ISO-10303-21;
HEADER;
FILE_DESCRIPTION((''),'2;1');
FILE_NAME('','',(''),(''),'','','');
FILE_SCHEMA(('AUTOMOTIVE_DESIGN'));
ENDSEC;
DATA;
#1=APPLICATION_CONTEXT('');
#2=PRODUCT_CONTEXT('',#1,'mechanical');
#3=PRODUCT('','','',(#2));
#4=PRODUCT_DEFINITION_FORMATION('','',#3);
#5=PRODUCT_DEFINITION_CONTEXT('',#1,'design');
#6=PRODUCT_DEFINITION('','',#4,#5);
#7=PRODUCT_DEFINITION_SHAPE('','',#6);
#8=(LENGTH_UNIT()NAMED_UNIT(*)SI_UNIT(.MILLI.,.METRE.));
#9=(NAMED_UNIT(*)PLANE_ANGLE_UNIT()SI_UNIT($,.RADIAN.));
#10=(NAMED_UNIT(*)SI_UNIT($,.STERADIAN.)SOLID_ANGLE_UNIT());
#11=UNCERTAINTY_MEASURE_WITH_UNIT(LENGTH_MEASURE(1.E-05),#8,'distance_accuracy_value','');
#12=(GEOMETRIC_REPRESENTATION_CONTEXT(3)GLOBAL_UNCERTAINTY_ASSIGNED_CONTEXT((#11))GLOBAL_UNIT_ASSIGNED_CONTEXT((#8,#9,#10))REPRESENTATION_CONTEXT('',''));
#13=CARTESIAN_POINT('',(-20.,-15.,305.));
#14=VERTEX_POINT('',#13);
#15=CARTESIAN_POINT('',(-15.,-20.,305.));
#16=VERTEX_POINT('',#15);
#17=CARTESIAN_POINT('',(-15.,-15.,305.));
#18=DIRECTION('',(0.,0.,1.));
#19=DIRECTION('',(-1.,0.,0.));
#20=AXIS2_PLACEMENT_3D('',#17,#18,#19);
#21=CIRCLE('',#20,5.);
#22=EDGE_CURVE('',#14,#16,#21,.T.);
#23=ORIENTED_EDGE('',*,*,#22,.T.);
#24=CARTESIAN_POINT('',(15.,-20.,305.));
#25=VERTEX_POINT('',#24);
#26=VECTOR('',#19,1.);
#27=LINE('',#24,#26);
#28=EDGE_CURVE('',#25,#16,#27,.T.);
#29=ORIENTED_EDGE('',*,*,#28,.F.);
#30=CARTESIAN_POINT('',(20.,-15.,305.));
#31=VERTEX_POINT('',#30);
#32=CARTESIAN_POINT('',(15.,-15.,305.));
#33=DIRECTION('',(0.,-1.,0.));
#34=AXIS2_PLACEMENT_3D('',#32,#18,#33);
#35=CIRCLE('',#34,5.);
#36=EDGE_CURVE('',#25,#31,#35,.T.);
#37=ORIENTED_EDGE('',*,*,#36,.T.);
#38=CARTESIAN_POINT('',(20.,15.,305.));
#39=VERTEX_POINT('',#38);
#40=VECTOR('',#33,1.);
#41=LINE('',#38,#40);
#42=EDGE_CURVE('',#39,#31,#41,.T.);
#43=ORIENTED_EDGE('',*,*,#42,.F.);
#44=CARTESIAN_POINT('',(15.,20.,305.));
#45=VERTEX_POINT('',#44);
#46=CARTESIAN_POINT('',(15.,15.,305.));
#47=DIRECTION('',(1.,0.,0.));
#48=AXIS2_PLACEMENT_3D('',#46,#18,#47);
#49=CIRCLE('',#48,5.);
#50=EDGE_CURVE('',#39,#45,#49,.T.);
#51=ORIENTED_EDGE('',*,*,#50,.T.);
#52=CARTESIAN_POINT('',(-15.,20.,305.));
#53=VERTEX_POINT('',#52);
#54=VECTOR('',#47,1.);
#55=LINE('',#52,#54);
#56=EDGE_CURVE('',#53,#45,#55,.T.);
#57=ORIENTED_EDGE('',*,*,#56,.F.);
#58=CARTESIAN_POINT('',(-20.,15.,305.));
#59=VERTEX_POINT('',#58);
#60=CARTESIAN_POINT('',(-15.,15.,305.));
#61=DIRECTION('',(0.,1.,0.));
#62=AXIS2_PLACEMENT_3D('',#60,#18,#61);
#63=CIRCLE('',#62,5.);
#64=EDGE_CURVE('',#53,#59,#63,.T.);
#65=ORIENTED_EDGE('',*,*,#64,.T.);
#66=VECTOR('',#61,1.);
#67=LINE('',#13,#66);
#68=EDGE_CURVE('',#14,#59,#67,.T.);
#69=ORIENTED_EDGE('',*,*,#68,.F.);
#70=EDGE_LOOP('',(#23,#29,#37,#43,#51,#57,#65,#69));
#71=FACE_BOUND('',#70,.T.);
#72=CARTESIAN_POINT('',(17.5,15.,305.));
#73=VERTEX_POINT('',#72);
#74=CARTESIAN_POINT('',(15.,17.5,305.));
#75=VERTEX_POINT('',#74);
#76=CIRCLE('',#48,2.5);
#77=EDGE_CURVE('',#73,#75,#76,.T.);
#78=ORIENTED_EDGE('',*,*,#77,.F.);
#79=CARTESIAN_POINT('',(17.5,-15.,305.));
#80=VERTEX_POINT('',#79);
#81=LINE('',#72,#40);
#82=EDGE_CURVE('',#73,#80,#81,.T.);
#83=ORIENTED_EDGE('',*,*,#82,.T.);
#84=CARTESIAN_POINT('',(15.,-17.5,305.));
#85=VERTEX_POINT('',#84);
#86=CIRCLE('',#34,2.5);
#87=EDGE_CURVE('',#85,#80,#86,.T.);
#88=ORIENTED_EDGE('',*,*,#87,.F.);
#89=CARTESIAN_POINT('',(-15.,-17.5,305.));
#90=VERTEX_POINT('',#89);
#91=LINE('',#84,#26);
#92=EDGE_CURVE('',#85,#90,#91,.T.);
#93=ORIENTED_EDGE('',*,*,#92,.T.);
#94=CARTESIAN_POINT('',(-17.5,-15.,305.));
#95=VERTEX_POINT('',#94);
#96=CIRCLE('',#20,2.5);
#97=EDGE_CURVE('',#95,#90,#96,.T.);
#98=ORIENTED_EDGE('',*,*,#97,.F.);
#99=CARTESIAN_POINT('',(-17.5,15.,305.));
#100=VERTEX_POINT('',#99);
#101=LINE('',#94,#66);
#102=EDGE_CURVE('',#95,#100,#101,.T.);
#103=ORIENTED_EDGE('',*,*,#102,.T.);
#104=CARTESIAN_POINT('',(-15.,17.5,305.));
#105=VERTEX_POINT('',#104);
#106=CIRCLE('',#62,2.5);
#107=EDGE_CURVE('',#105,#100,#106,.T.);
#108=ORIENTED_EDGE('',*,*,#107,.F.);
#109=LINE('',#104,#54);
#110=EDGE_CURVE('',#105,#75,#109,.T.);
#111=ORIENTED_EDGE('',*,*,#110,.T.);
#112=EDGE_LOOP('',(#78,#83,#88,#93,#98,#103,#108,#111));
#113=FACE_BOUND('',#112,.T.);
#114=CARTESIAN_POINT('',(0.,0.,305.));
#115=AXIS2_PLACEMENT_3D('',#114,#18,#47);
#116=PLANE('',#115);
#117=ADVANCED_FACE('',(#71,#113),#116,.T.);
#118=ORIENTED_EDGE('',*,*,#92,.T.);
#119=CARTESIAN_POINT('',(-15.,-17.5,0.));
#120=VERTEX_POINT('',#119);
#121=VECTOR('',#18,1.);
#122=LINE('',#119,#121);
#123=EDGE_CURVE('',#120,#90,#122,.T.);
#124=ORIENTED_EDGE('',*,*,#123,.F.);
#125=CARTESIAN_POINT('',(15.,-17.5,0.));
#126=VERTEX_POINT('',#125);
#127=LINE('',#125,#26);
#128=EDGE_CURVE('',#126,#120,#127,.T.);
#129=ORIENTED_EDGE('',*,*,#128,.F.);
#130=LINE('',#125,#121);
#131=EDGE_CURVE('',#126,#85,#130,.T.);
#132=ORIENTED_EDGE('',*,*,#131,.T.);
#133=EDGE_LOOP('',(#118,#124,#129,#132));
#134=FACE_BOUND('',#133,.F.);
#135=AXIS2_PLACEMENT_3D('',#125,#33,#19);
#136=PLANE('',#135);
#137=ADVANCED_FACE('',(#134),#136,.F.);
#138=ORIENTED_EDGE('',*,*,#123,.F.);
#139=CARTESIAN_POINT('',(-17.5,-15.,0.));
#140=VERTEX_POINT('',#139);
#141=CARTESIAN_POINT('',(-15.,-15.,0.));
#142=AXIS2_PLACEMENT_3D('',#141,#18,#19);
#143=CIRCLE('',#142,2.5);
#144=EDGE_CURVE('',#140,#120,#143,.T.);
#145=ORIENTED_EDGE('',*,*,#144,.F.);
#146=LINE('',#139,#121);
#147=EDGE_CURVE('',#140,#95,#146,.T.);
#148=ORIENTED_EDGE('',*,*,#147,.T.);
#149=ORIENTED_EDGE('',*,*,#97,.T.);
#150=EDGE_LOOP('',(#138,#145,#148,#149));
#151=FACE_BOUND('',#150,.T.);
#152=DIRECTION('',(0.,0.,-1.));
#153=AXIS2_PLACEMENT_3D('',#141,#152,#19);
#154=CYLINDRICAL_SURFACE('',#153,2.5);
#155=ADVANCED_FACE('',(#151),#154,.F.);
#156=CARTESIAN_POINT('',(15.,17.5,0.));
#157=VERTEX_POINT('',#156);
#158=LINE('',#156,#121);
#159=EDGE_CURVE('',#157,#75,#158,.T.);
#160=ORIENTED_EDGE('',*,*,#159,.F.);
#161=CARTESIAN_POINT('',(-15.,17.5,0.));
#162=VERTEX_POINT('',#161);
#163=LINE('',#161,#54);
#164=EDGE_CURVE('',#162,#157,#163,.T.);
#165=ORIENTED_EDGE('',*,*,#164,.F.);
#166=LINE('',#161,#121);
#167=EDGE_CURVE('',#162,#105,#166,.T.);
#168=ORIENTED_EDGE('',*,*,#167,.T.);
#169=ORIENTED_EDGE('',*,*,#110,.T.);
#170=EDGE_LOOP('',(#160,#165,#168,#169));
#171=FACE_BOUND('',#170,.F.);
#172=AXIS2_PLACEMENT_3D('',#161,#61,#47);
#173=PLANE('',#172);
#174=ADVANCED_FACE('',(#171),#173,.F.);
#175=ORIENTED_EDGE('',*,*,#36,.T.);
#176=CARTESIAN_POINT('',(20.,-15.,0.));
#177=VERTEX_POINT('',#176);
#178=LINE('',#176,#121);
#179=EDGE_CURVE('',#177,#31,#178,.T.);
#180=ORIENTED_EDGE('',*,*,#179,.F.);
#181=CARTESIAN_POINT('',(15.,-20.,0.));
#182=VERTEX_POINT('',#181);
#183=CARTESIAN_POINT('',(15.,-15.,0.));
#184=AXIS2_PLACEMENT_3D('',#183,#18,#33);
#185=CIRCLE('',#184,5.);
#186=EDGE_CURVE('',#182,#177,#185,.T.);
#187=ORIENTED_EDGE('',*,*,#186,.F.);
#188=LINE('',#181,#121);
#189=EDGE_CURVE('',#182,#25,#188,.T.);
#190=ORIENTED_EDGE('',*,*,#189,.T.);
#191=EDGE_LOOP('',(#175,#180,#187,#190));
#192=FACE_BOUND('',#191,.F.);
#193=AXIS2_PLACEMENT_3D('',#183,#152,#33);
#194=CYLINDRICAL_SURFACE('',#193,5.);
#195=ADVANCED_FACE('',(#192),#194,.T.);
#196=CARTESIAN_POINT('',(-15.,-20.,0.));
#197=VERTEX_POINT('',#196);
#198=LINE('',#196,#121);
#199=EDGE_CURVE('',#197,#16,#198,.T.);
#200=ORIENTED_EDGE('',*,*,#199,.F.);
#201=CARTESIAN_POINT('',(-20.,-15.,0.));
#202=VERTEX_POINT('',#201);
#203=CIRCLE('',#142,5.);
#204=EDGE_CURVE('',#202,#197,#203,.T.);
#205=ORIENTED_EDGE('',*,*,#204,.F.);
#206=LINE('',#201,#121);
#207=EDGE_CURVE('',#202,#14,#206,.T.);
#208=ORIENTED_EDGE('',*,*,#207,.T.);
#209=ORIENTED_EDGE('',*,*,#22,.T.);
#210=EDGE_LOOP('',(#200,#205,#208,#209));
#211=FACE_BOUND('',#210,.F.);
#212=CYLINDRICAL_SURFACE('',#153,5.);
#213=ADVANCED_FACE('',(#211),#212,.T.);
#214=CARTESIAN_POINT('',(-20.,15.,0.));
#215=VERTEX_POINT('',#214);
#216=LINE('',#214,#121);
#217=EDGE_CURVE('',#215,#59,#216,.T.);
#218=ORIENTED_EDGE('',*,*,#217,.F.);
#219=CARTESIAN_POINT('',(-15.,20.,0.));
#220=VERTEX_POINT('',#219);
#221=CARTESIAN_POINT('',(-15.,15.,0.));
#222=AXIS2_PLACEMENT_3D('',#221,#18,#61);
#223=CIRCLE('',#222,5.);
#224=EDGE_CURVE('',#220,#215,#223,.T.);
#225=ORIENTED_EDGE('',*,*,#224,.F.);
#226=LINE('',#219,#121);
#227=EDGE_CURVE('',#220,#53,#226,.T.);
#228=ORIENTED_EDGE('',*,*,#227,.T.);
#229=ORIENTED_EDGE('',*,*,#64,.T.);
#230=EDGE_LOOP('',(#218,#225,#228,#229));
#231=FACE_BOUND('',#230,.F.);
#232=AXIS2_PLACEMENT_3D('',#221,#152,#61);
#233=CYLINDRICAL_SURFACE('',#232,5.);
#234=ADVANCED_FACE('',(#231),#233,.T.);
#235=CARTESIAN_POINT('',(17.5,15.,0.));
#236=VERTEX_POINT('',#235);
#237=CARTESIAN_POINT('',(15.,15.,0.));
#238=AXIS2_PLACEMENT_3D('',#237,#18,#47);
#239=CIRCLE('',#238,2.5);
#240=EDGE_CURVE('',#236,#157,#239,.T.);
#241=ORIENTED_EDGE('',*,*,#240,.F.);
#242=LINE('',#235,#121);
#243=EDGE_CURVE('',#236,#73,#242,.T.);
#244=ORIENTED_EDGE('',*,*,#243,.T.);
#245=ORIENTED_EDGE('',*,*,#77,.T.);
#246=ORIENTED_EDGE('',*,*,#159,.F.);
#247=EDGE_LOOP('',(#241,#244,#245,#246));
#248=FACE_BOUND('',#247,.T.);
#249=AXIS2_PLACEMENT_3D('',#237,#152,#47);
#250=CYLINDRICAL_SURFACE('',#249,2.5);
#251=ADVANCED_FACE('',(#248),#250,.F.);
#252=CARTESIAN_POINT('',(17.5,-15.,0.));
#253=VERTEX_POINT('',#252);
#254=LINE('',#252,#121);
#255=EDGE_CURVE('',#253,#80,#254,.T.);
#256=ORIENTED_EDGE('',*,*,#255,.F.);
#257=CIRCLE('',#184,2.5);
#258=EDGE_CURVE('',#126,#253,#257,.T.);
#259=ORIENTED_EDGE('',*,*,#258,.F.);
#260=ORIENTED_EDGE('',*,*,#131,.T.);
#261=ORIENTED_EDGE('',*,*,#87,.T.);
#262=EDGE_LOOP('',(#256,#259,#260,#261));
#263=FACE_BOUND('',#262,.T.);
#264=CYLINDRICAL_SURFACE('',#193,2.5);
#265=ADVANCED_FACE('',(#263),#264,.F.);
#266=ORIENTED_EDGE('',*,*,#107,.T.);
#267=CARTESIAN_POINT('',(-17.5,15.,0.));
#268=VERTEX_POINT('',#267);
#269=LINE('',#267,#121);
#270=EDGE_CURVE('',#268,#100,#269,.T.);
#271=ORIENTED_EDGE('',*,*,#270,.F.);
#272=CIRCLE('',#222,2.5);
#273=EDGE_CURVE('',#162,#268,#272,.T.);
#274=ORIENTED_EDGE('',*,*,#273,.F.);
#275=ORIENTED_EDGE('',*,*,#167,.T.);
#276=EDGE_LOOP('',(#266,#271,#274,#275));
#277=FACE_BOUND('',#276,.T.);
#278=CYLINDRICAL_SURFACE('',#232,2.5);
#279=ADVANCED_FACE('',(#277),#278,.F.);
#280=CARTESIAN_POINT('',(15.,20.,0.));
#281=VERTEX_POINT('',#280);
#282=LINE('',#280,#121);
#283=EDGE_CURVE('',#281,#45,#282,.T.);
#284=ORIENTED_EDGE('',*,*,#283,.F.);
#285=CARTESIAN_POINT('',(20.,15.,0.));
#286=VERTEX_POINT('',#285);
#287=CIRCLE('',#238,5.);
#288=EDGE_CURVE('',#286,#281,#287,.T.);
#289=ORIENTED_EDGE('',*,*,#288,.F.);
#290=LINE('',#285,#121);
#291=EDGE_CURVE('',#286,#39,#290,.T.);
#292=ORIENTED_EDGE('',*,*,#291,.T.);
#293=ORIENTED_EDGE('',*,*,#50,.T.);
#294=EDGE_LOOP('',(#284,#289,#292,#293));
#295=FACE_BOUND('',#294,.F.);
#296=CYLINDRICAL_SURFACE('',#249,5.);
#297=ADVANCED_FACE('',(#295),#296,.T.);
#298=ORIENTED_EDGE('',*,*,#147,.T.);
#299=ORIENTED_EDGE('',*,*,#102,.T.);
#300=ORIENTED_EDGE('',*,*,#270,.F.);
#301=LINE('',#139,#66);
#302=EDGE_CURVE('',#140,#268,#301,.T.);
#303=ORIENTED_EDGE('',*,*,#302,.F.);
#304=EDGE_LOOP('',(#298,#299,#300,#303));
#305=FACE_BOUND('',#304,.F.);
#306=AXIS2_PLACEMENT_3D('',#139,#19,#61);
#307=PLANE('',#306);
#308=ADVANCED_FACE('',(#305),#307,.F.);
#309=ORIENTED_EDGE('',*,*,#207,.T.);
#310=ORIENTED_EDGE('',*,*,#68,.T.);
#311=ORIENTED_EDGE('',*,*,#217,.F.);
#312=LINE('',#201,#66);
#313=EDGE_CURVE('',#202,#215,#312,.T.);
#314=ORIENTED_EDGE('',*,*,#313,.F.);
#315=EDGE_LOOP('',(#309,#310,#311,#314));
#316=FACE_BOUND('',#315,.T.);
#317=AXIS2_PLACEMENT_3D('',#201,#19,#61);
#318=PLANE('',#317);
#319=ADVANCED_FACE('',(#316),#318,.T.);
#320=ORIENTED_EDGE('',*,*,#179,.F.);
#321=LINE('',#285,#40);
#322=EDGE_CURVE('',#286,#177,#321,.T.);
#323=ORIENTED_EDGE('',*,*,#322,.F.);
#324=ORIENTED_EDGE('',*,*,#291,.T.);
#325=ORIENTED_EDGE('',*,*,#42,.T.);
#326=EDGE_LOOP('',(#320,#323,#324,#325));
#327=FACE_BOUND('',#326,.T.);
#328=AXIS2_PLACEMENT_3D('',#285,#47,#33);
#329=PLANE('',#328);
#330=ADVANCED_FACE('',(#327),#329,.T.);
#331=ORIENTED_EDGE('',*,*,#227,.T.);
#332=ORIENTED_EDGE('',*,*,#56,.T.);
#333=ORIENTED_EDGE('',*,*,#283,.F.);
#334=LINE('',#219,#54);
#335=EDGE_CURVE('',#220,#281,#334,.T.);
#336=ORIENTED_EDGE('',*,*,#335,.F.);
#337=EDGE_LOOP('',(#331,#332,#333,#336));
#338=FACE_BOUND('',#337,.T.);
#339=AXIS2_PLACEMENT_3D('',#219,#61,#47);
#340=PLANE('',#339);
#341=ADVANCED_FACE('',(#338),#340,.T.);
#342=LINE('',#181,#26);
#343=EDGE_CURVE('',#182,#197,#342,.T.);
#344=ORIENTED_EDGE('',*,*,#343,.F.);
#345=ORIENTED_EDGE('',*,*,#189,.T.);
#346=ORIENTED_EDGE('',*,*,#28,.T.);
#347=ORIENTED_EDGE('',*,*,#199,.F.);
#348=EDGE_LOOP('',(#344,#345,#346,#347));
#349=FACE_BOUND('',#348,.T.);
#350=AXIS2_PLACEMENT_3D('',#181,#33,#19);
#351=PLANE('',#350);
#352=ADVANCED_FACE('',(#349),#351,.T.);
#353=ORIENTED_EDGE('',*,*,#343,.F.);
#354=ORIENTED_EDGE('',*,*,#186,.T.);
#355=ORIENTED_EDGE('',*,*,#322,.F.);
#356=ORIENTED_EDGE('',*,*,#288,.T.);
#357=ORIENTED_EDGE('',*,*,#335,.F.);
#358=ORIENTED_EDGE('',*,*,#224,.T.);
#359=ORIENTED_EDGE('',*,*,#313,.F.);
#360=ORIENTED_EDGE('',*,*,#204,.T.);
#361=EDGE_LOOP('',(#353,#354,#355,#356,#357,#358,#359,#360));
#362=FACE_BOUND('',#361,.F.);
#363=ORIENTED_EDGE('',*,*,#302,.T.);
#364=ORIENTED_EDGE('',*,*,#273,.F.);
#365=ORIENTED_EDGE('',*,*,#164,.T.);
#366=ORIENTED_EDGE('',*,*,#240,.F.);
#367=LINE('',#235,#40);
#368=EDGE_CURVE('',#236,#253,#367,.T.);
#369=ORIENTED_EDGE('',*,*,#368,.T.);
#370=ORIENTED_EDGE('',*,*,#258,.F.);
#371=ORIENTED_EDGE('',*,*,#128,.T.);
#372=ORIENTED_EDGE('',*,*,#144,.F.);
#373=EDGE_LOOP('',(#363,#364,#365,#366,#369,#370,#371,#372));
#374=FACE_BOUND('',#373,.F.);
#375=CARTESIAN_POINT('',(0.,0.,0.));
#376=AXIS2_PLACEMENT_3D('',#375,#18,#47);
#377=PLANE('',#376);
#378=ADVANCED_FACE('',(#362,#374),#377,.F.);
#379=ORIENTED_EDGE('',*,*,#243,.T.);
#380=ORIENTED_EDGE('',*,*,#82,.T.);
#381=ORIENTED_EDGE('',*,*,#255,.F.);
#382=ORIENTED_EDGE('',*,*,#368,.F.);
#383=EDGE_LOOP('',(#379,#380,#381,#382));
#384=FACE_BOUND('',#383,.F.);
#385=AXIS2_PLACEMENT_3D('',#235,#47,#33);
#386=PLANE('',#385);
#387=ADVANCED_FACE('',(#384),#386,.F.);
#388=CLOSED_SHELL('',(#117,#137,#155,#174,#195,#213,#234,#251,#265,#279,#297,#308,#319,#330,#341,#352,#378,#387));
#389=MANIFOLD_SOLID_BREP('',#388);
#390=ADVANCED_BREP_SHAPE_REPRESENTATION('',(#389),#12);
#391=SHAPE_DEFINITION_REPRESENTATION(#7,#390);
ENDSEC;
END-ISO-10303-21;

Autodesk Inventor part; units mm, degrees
ref_plane "YZ Plane" through (0, 0, 0) normal (1, 0, 0) x (0, 1, 0)
ref_plane "Start Plane" through (0, 0, 0) normal (0, 0, 1) x (1, 0, 0)
ref_plane "End Plane" through (0, 0, 305) normal (0, 0, 1) x (1, 0, 0)
sketch "Sketch" plane through (0, 0, 0) normal (0, 0, 1) x (1, 0, 0)
  line L0 (-20, -15) -> (-20, 15)
  line L1 (-15, 20) -> (15, 20)
  line L2 (20, 15) -> (20, -15)
  line L3 (15, -20) -> (-15, -20)
  arc A0 (-20, -15) -> (-15, -20) centre (-15, -15) ccw
  arc A1 (-15, 20) -> (-20, 15) centre (-15, 15) ccw
  arc A2 (20, 15) -> (15, 20) centre (15, 15) ccw
  arc A3 (15, -20) -> (20, -15) centre (15, -15) ccw
  arc A4 (-15, 17.5) -> (-17.5, 15) centre (-15, 15) ccw
  line L4 (-15, 17.5) -> (15, 17.5)
  arc A5 (17.5, 15) -> (15, 17.5) centre (15, 15) ccw
  line L5 (17.5, 15) -> (17.5, -15)
  arc A6 (15, -17.5) -> (17.5, -15) centre (15, -15) ccw
  line L6 (15, -17.5) -> (-15, -17.5)
  arc A7 (-17.5, -15) -> (-15, -17.5) centre (-15, -15) ccw
  line L7 (-17.5, -15) -> (-17.5, 15)
  line L8 (0, 29.4497) -> (0, -29.4497) construction
  line L9 (-29.4497, 0) -> (29.4497, 0) construction
  dimension "d7" = 5
  dimension "d10" = 40
  dimension "d11" = 40
  dimension "d12" = 2.5
  dimension "d15" = 20
  dimension "d16" = 20
extrude "Body" add sketch "Sketch" along normal up to surface (305 mm away) from surface at 0
sketch "Sketch3" plane through (0, 0, 0) normal (0, 0, 1) x (1, 0, 0)
  line L0 (0, 0) -> (10, 0)
ref_plane "Work Plane3" through (0, 0, 0) normal (0, -1, 0) x (1, 0, 0)
sketch "Sketch4" plane through (0, 0, 0) normal (0, -1, 0) x (1, 0, 0)
  line L0 (-2, 0) -> (12, 0)
  line L1 (-2, 305) -> (12, 305)
  dimension "d18" = 305
equation "\"d7\" = G_IR"
equation "\"d10\" = G_H"
equation "\"d11\" = G_W"
equation "\"d12\" = G_T"
equation "\"d15\" = 0.5 * d10"
equation "\"d16\" = 0.5 * d11"
equation "\"d3\" = G_L"
equation "\"G_W\" = 40"
equation "\"G_H\" = 40"
equation "\"G_T\" = 2.5"
equation "\"G_IR\" = 5"
equation "\"G_L\" = d18"
equation "\"G_OFFSET_START\" = 0"
equation "\"G_OFFSET_END\" = 0"
equation "\"d14\" = G_OFFSET_END + B_L"
equation "\"B_L\" = 305"
properties part number "BS 4848 - 40 x 40 x 2.5 HFRHS - 305" material "Steel, Mild"
